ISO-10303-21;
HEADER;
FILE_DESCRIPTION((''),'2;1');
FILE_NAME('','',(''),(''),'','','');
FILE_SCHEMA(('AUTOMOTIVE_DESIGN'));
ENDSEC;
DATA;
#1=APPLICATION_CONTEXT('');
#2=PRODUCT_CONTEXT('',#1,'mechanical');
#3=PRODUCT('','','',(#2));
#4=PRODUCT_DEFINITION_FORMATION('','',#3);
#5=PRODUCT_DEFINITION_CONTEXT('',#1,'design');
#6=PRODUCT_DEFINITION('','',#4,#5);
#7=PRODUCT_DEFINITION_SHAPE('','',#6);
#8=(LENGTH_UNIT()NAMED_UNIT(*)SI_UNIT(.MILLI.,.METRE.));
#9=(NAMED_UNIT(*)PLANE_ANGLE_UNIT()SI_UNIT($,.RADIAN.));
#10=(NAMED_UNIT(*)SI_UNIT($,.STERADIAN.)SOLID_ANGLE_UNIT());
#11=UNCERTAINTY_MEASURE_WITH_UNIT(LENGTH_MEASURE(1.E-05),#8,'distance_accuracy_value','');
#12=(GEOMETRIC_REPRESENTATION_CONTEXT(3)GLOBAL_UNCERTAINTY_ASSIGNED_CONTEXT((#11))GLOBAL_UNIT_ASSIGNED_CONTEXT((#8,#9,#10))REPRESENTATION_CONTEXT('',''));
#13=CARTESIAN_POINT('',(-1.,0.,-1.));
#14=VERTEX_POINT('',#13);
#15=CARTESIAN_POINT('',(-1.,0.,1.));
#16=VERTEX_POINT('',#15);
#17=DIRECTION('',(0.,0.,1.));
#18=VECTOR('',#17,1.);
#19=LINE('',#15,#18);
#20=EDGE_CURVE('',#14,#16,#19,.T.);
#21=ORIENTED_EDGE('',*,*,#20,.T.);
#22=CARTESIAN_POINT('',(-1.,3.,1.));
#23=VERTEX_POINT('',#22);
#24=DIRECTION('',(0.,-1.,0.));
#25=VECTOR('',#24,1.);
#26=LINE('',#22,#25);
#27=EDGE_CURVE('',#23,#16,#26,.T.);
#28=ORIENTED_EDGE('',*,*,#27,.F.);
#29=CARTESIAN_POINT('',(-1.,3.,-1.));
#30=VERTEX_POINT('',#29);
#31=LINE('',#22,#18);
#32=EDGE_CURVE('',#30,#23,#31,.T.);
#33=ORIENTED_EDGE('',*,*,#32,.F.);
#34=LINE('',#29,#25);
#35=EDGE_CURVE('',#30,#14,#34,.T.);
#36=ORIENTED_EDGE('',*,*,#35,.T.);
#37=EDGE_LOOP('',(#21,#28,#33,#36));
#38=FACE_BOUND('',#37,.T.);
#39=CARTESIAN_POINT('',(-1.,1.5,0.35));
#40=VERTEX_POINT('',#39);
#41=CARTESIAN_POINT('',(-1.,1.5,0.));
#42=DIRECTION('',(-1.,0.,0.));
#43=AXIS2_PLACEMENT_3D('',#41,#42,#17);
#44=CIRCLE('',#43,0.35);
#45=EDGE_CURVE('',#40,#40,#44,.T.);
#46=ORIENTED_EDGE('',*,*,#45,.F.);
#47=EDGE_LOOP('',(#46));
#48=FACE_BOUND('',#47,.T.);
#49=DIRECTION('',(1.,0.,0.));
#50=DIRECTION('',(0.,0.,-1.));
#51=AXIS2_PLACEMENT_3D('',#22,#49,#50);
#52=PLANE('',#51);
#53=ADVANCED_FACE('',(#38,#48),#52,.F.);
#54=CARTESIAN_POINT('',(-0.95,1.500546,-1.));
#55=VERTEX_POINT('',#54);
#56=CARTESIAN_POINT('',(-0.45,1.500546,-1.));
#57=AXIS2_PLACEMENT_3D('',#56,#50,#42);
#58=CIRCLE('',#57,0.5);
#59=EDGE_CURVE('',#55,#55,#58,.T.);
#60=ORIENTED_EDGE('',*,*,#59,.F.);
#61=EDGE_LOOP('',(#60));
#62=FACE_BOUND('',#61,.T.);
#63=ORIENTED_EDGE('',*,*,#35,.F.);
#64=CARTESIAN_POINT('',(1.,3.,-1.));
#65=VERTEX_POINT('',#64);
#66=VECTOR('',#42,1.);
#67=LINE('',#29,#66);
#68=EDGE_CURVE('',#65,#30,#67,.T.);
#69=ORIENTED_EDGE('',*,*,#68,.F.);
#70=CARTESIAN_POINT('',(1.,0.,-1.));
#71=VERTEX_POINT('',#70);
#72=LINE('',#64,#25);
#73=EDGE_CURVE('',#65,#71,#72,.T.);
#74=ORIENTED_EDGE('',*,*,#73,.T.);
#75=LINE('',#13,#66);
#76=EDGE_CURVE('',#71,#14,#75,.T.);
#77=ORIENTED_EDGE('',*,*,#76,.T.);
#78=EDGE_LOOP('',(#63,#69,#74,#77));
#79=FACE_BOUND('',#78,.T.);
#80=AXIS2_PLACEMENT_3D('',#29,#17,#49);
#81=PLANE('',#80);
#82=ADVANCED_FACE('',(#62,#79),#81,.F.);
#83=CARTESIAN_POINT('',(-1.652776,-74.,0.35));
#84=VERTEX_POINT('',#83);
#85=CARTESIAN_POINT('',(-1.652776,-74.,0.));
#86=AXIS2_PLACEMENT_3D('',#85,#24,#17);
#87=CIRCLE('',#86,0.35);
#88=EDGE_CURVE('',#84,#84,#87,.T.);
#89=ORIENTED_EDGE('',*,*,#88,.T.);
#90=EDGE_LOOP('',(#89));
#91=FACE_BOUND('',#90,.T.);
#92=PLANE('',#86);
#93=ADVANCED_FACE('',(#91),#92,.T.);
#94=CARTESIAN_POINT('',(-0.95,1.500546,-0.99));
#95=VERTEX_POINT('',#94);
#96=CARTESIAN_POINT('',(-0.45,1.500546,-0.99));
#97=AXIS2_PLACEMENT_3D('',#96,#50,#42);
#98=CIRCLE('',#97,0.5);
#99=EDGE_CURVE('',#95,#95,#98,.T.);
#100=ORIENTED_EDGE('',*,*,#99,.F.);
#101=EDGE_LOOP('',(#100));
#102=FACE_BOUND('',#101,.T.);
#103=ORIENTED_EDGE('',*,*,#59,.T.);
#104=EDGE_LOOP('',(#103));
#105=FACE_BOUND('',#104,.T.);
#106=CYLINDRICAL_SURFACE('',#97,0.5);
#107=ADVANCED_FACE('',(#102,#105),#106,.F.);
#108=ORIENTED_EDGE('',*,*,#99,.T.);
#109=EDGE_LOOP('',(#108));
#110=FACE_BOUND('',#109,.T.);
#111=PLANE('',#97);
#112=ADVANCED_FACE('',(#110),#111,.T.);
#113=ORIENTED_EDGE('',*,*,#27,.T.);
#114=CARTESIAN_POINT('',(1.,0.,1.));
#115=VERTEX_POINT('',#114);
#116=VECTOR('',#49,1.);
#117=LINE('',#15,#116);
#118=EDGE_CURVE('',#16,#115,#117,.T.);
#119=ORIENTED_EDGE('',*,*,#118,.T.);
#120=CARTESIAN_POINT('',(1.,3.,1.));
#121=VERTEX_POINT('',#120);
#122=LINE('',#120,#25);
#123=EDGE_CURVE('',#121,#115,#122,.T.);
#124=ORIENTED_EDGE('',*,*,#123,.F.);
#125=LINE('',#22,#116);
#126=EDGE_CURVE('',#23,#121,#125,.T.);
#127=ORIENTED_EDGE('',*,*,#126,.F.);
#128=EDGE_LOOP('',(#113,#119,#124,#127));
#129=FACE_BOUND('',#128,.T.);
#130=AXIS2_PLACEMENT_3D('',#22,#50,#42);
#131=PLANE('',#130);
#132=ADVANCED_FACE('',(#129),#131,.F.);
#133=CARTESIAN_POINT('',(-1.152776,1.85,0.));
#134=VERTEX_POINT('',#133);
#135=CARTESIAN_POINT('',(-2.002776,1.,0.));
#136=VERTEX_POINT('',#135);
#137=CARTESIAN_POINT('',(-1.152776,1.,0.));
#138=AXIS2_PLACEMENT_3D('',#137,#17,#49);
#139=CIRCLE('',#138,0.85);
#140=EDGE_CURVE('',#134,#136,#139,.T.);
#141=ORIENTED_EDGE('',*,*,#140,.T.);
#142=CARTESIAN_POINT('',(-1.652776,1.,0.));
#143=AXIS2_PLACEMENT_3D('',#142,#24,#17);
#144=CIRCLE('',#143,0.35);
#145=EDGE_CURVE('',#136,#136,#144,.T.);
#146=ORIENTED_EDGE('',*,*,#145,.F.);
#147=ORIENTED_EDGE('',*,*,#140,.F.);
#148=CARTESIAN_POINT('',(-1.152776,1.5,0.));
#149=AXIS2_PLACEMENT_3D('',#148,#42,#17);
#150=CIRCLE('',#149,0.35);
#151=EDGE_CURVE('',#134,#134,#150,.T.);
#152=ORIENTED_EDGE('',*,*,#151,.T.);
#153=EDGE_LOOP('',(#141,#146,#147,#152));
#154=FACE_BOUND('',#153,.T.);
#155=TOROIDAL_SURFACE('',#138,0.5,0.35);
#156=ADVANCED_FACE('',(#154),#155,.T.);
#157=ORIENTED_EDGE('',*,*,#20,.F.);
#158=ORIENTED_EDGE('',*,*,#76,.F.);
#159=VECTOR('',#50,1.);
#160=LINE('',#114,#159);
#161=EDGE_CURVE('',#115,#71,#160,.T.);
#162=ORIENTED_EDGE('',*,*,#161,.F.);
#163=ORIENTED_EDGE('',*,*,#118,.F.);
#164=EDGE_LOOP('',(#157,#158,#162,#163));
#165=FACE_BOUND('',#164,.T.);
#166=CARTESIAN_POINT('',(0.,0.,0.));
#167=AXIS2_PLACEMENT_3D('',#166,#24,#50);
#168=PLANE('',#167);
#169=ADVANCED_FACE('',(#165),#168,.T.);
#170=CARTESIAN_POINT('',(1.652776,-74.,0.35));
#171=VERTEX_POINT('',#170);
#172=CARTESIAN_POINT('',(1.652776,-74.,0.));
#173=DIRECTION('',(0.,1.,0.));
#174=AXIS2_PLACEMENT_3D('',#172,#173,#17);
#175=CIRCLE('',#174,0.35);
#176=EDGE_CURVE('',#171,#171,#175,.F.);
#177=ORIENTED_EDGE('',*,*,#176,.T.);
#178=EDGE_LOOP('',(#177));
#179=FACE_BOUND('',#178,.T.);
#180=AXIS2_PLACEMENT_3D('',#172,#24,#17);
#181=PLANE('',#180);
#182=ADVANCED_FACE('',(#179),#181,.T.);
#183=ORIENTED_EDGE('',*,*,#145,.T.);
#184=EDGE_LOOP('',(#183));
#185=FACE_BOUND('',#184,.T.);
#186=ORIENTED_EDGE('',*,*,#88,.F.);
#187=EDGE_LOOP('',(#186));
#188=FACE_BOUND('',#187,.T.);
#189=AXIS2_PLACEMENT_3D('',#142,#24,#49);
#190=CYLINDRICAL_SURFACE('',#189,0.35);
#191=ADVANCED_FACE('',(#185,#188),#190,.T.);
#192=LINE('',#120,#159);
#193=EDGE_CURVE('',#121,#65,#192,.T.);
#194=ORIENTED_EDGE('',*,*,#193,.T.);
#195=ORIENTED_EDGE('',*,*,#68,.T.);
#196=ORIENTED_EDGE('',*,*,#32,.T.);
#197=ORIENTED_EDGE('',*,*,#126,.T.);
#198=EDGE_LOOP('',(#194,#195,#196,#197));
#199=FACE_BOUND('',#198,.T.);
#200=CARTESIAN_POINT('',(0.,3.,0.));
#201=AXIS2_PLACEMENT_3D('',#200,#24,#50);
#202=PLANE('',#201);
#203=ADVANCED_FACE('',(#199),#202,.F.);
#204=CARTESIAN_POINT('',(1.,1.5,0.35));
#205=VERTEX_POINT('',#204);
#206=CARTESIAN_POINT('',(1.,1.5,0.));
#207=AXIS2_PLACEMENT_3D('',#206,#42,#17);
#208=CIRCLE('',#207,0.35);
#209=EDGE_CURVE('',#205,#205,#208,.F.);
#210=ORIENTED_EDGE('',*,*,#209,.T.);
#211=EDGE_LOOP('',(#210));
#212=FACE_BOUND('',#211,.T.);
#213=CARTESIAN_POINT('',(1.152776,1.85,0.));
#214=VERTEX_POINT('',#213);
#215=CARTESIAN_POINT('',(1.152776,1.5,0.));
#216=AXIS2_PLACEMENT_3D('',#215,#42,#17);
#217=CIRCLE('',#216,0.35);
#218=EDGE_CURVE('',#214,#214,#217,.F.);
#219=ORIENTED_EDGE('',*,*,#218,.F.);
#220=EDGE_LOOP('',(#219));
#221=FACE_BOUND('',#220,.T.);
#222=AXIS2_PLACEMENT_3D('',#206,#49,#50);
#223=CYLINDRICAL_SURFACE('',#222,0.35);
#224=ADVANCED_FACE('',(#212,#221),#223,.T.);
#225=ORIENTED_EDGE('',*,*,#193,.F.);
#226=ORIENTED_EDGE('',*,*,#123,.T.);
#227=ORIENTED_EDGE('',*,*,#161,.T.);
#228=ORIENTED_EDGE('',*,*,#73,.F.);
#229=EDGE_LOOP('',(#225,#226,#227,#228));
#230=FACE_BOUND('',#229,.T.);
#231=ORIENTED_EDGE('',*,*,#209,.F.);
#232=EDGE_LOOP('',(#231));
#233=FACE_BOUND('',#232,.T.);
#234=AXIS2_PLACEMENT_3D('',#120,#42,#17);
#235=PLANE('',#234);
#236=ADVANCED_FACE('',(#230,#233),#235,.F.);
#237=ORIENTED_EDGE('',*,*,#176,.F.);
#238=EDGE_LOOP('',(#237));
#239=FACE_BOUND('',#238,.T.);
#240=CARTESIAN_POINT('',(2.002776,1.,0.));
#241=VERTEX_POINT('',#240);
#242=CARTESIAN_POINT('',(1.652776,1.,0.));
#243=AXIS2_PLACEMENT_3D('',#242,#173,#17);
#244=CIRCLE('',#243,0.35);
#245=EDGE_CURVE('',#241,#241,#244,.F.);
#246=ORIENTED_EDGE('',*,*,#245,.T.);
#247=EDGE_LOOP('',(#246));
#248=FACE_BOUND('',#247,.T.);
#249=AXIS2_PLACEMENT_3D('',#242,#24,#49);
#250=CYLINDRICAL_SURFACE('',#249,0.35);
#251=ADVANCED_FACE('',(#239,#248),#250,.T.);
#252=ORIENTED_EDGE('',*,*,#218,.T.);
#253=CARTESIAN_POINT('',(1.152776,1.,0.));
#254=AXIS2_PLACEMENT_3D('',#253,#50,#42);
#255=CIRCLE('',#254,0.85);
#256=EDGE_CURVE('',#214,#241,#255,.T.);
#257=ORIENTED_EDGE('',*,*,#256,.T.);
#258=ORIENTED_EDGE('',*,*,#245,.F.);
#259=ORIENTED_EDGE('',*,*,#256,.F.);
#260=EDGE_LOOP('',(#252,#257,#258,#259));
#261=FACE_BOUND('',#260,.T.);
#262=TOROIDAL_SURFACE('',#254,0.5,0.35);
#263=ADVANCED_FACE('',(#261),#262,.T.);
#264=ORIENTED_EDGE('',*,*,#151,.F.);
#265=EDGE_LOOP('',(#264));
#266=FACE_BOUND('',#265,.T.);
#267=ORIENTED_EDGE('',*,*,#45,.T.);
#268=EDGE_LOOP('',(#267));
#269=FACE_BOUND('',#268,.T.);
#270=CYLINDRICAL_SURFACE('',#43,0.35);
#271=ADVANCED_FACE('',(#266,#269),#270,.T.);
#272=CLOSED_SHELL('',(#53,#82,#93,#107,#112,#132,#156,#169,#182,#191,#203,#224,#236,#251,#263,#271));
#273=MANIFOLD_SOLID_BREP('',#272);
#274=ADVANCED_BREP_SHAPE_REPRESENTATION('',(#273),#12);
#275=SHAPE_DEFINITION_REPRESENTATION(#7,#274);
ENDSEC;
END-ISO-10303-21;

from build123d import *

# Parameters (mm, degrees)
SKETCH1_W           = 2
SKETCH1_H           = 2
BOSS_EXTRUDE1_DEPTH = 3
SKETCH2_R           = 0.5
CUT_EXTRUDE1_DEPTH  = 0.01
SKETCH3_R           = 0.35


with BuildPart() as part:
    # Sketch1 → Boss-Extrude1 (new body)
    with BuildSketch(Plane(origin=(0, 0, 0), x_dir=(1, 0, 0), z_dir=(0, 1, 0))):
        Rectangle(SKETCH1_W, SKETCH1_H)
    extrude(amount=BOSS_EXTRUDE1_DEPTH)

    # Sketch2 → Cut-Extrude1 (cut)
    with BuildSketch(Plane(origin=(0, 0, -1), x_dir=(-1, 0, 0), z_dir=(0, 0, -1))):
        with Locations((0.45, 1.500545884)):
            Circle(SKETCH2_R)
    extrude(amount=-CUT_EXTRUDE1_DEPTH, mode=Mode.SUBTRACT)

    # Sweep1: sweep along a path in Sketch8
    with BuildLine(Plane(origin=(-1, 1.5, 0), x_dir=(1, 0, 0), z_dir=(0, 0, 1))) as sweep1_path:
        Line((0, 0), (-0.152776169, 0))
        ThreePointArc((-0.152776169, 0), (-0.50632956, -0.146446609), (-0.652776169, -0.5))
        Line((-0.652776169, -0.5), (-0.652776169, -75.5))
    # Sketch3 → Sweep1 (sweep)
    with BuildSketch(Plane.ZY.offset(1)):
        with Locations((0, 1.5)):
            Circle(SKETCH3_R)
    sweep1 = sweep(path=sweep1_path.line)

    # Mirror1: Sweep1 across plane
    add(sweep1.mirror(Plane(origin=(0, 0, 0), x_dir=(0, 0, 1), z_dir=(1, 0, 0))))


solid = part.part
